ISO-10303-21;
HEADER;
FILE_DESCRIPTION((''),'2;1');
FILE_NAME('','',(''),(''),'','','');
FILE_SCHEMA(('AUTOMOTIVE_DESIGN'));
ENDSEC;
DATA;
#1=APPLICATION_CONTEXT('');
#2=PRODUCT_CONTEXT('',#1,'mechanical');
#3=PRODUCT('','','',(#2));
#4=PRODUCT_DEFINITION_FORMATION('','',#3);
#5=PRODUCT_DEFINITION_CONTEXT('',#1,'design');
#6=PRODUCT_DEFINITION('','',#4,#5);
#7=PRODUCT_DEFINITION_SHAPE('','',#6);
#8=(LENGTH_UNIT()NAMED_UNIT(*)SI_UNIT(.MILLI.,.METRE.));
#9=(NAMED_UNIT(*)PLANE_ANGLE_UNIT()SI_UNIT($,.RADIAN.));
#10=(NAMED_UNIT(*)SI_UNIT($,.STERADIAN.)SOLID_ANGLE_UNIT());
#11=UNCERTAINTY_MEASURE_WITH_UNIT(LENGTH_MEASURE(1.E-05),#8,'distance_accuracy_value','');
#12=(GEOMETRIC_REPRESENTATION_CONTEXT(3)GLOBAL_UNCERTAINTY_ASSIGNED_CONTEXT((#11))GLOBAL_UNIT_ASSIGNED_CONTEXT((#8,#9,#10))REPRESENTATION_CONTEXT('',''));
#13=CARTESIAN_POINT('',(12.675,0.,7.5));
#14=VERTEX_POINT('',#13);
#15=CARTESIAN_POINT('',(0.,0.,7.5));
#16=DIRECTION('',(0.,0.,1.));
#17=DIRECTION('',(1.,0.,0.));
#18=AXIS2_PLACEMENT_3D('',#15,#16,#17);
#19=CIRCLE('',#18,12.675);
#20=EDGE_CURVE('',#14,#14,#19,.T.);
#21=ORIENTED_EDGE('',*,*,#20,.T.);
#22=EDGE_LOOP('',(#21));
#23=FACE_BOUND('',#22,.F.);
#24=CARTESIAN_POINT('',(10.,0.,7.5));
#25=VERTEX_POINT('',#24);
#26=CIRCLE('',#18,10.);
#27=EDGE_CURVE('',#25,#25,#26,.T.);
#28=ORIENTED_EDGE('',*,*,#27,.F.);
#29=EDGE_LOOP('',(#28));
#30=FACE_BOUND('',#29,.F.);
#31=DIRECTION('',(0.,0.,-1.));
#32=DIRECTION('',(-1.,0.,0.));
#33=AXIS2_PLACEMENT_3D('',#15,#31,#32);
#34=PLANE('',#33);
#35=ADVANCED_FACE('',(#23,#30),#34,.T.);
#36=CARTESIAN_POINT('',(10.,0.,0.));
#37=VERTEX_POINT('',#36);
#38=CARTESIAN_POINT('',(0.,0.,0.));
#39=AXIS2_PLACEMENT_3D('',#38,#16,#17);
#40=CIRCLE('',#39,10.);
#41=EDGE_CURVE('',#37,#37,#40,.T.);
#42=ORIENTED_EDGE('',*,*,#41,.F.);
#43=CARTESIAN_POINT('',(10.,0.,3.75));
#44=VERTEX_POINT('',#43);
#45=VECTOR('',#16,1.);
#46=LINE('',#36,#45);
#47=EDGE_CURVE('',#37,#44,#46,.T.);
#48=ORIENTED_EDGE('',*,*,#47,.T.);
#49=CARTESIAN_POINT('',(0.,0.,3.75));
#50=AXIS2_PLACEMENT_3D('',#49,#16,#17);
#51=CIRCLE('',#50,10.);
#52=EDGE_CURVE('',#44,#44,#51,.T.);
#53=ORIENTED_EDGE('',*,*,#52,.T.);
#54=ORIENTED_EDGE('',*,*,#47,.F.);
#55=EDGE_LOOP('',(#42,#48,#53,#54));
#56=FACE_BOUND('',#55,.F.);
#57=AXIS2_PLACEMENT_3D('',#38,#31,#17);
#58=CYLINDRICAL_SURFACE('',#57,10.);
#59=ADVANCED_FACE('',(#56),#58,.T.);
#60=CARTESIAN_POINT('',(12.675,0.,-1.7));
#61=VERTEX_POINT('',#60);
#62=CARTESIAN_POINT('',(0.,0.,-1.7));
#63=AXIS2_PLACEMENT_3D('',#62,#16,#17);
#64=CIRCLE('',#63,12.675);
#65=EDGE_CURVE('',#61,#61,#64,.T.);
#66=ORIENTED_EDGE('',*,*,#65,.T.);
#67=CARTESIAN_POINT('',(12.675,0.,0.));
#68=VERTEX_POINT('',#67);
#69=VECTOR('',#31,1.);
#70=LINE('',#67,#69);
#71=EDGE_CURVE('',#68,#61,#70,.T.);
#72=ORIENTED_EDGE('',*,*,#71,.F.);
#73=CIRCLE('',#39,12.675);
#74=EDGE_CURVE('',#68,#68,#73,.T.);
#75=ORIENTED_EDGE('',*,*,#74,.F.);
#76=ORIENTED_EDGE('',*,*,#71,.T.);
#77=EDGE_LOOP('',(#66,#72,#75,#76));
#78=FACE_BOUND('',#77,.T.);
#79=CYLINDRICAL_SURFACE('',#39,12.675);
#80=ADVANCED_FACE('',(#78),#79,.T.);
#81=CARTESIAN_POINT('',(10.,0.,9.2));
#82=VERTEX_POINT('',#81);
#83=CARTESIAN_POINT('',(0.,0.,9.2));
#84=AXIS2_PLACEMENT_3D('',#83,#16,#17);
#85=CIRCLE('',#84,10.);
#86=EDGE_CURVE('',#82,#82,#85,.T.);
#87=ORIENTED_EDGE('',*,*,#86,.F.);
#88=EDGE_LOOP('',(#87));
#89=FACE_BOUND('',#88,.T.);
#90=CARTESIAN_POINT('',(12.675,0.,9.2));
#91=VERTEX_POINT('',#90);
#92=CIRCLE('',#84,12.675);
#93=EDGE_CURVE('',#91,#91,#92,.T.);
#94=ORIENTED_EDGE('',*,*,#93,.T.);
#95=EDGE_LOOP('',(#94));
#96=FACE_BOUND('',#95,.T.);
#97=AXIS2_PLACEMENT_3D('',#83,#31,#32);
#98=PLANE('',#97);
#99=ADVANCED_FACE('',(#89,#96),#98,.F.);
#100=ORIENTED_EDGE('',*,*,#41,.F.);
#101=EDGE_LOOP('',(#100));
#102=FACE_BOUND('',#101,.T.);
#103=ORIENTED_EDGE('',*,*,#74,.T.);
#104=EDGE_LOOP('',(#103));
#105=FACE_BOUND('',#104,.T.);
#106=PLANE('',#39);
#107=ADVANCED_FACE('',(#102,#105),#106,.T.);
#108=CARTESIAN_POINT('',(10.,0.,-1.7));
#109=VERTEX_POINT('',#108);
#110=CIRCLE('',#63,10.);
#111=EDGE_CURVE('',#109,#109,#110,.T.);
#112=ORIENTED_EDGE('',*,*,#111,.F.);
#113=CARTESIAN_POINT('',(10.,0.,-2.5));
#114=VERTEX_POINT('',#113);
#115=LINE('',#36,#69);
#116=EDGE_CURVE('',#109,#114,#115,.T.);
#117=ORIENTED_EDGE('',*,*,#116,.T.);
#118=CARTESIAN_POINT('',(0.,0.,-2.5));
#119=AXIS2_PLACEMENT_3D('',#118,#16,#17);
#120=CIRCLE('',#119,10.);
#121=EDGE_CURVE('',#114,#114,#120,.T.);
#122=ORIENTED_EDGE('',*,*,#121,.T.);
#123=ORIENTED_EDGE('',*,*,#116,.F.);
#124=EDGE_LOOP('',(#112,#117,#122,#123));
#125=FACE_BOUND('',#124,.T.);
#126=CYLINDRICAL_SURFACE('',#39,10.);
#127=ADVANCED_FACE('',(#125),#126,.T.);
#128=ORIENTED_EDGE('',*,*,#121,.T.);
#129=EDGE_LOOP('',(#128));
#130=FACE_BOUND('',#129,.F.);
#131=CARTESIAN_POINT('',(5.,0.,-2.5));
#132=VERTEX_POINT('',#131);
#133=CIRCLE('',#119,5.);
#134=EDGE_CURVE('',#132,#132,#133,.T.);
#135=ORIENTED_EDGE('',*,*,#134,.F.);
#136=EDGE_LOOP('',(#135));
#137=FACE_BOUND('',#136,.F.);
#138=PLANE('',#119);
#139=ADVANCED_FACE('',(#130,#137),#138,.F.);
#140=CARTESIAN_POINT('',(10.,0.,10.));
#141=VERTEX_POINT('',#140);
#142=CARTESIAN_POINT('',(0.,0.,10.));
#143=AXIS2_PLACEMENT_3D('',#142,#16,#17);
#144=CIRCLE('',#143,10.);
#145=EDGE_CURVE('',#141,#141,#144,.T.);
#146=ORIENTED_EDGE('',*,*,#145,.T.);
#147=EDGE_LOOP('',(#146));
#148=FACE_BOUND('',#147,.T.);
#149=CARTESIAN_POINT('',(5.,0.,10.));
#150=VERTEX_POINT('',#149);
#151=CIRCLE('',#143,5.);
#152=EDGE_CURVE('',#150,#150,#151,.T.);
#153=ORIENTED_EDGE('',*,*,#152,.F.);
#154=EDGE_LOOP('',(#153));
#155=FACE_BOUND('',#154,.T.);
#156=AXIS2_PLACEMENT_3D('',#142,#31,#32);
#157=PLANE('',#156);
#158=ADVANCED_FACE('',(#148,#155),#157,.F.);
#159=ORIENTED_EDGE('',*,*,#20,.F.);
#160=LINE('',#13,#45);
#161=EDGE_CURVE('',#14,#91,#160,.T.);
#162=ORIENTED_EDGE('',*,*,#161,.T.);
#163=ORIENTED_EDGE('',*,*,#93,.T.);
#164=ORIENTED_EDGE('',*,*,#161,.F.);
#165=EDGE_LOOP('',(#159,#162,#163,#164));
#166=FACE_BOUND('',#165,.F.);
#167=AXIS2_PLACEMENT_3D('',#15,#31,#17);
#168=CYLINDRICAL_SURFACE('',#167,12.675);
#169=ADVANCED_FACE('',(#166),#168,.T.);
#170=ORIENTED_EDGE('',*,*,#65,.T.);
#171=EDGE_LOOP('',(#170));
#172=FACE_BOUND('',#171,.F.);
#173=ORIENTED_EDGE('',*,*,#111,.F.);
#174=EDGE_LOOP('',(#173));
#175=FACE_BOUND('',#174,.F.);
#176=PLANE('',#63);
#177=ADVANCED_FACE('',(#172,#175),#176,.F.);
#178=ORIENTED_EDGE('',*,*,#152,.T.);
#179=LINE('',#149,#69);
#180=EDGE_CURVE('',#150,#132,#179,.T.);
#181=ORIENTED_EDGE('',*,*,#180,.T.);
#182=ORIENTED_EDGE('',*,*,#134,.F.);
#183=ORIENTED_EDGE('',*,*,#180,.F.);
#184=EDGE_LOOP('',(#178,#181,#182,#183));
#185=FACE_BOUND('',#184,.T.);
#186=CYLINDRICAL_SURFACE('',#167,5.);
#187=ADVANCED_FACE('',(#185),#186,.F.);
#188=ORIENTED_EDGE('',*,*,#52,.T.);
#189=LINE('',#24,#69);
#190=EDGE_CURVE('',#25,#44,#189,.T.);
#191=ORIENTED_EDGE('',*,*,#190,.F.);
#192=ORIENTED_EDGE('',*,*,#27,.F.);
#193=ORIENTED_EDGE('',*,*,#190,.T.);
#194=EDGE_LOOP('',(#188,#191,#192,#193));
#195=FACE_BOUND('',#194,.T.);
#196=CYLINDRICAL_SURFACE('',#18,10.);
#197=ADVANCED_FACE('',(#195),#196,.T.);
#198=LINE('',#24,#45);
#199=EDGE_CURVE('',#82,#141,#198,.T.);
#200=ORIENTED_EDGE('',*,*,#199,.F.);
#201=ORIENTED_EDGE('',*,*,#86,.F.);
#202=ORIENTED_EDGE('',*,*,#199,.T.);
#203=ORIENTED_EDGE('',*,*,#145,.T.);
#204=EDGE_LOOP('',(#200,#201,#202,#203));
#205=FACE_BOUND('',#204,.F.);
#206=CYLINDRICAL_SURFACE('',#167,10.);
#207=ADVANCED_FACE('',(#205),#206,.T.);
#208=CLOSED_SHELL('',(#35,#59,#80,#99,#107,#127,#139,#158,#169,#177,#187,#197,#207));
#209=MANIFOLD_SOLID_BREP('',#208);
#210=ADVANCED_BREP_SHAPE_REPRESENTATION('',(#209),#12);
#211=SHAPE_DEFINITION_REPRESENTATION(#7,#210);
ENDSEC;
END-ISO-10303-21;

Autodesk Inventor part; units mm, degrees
ref_plane "YZ Plane" through (0, 0, 0) normal (1, 0, 0) x (0, 1, 0)
ref_plane "XZ Plane" through (0, 0, 0) normal (0, 1, 0) x (-1, 0, 0)
sketch "スケッチ1" plane through (0, 0, 0) normal (0, 0, 1) x (1, 0, 0)
  circle A0 centre (0, 0) radius 12.675
  circle A1 centre (0, 0) radius 5
  circle A2 centre (0, 0) radius 10
  circle A3 centre (0, 0) radius 16
  dimension "d0" = 25.35
  dimension "d1" = 10
  dimension "d2" = 20
  dimension "d3" = 32
extrude "押し出し1" add sketch "スケッチ1" along normal blind 3.75 contours A2
extrude "押し出し2" add sketch "スケッチ1" against normal blind 1.7 contours A0
extrude "押し出し3" add sketch "スケッチ1" against normal blind 2.5 contours A2
mirror "ミラー1" about plane through (0, 0, 3.75) normal (0, 0, 1) of "押し出し1", "押し出し2", "押し出し3"
ref_plane "作業平面1" through (0, 0, 3.75) normal (0, 0, 1) x (1, 0, 0)
properties part number "timing _pulley_7.5" material "アルミニウム 6061-AHC"
